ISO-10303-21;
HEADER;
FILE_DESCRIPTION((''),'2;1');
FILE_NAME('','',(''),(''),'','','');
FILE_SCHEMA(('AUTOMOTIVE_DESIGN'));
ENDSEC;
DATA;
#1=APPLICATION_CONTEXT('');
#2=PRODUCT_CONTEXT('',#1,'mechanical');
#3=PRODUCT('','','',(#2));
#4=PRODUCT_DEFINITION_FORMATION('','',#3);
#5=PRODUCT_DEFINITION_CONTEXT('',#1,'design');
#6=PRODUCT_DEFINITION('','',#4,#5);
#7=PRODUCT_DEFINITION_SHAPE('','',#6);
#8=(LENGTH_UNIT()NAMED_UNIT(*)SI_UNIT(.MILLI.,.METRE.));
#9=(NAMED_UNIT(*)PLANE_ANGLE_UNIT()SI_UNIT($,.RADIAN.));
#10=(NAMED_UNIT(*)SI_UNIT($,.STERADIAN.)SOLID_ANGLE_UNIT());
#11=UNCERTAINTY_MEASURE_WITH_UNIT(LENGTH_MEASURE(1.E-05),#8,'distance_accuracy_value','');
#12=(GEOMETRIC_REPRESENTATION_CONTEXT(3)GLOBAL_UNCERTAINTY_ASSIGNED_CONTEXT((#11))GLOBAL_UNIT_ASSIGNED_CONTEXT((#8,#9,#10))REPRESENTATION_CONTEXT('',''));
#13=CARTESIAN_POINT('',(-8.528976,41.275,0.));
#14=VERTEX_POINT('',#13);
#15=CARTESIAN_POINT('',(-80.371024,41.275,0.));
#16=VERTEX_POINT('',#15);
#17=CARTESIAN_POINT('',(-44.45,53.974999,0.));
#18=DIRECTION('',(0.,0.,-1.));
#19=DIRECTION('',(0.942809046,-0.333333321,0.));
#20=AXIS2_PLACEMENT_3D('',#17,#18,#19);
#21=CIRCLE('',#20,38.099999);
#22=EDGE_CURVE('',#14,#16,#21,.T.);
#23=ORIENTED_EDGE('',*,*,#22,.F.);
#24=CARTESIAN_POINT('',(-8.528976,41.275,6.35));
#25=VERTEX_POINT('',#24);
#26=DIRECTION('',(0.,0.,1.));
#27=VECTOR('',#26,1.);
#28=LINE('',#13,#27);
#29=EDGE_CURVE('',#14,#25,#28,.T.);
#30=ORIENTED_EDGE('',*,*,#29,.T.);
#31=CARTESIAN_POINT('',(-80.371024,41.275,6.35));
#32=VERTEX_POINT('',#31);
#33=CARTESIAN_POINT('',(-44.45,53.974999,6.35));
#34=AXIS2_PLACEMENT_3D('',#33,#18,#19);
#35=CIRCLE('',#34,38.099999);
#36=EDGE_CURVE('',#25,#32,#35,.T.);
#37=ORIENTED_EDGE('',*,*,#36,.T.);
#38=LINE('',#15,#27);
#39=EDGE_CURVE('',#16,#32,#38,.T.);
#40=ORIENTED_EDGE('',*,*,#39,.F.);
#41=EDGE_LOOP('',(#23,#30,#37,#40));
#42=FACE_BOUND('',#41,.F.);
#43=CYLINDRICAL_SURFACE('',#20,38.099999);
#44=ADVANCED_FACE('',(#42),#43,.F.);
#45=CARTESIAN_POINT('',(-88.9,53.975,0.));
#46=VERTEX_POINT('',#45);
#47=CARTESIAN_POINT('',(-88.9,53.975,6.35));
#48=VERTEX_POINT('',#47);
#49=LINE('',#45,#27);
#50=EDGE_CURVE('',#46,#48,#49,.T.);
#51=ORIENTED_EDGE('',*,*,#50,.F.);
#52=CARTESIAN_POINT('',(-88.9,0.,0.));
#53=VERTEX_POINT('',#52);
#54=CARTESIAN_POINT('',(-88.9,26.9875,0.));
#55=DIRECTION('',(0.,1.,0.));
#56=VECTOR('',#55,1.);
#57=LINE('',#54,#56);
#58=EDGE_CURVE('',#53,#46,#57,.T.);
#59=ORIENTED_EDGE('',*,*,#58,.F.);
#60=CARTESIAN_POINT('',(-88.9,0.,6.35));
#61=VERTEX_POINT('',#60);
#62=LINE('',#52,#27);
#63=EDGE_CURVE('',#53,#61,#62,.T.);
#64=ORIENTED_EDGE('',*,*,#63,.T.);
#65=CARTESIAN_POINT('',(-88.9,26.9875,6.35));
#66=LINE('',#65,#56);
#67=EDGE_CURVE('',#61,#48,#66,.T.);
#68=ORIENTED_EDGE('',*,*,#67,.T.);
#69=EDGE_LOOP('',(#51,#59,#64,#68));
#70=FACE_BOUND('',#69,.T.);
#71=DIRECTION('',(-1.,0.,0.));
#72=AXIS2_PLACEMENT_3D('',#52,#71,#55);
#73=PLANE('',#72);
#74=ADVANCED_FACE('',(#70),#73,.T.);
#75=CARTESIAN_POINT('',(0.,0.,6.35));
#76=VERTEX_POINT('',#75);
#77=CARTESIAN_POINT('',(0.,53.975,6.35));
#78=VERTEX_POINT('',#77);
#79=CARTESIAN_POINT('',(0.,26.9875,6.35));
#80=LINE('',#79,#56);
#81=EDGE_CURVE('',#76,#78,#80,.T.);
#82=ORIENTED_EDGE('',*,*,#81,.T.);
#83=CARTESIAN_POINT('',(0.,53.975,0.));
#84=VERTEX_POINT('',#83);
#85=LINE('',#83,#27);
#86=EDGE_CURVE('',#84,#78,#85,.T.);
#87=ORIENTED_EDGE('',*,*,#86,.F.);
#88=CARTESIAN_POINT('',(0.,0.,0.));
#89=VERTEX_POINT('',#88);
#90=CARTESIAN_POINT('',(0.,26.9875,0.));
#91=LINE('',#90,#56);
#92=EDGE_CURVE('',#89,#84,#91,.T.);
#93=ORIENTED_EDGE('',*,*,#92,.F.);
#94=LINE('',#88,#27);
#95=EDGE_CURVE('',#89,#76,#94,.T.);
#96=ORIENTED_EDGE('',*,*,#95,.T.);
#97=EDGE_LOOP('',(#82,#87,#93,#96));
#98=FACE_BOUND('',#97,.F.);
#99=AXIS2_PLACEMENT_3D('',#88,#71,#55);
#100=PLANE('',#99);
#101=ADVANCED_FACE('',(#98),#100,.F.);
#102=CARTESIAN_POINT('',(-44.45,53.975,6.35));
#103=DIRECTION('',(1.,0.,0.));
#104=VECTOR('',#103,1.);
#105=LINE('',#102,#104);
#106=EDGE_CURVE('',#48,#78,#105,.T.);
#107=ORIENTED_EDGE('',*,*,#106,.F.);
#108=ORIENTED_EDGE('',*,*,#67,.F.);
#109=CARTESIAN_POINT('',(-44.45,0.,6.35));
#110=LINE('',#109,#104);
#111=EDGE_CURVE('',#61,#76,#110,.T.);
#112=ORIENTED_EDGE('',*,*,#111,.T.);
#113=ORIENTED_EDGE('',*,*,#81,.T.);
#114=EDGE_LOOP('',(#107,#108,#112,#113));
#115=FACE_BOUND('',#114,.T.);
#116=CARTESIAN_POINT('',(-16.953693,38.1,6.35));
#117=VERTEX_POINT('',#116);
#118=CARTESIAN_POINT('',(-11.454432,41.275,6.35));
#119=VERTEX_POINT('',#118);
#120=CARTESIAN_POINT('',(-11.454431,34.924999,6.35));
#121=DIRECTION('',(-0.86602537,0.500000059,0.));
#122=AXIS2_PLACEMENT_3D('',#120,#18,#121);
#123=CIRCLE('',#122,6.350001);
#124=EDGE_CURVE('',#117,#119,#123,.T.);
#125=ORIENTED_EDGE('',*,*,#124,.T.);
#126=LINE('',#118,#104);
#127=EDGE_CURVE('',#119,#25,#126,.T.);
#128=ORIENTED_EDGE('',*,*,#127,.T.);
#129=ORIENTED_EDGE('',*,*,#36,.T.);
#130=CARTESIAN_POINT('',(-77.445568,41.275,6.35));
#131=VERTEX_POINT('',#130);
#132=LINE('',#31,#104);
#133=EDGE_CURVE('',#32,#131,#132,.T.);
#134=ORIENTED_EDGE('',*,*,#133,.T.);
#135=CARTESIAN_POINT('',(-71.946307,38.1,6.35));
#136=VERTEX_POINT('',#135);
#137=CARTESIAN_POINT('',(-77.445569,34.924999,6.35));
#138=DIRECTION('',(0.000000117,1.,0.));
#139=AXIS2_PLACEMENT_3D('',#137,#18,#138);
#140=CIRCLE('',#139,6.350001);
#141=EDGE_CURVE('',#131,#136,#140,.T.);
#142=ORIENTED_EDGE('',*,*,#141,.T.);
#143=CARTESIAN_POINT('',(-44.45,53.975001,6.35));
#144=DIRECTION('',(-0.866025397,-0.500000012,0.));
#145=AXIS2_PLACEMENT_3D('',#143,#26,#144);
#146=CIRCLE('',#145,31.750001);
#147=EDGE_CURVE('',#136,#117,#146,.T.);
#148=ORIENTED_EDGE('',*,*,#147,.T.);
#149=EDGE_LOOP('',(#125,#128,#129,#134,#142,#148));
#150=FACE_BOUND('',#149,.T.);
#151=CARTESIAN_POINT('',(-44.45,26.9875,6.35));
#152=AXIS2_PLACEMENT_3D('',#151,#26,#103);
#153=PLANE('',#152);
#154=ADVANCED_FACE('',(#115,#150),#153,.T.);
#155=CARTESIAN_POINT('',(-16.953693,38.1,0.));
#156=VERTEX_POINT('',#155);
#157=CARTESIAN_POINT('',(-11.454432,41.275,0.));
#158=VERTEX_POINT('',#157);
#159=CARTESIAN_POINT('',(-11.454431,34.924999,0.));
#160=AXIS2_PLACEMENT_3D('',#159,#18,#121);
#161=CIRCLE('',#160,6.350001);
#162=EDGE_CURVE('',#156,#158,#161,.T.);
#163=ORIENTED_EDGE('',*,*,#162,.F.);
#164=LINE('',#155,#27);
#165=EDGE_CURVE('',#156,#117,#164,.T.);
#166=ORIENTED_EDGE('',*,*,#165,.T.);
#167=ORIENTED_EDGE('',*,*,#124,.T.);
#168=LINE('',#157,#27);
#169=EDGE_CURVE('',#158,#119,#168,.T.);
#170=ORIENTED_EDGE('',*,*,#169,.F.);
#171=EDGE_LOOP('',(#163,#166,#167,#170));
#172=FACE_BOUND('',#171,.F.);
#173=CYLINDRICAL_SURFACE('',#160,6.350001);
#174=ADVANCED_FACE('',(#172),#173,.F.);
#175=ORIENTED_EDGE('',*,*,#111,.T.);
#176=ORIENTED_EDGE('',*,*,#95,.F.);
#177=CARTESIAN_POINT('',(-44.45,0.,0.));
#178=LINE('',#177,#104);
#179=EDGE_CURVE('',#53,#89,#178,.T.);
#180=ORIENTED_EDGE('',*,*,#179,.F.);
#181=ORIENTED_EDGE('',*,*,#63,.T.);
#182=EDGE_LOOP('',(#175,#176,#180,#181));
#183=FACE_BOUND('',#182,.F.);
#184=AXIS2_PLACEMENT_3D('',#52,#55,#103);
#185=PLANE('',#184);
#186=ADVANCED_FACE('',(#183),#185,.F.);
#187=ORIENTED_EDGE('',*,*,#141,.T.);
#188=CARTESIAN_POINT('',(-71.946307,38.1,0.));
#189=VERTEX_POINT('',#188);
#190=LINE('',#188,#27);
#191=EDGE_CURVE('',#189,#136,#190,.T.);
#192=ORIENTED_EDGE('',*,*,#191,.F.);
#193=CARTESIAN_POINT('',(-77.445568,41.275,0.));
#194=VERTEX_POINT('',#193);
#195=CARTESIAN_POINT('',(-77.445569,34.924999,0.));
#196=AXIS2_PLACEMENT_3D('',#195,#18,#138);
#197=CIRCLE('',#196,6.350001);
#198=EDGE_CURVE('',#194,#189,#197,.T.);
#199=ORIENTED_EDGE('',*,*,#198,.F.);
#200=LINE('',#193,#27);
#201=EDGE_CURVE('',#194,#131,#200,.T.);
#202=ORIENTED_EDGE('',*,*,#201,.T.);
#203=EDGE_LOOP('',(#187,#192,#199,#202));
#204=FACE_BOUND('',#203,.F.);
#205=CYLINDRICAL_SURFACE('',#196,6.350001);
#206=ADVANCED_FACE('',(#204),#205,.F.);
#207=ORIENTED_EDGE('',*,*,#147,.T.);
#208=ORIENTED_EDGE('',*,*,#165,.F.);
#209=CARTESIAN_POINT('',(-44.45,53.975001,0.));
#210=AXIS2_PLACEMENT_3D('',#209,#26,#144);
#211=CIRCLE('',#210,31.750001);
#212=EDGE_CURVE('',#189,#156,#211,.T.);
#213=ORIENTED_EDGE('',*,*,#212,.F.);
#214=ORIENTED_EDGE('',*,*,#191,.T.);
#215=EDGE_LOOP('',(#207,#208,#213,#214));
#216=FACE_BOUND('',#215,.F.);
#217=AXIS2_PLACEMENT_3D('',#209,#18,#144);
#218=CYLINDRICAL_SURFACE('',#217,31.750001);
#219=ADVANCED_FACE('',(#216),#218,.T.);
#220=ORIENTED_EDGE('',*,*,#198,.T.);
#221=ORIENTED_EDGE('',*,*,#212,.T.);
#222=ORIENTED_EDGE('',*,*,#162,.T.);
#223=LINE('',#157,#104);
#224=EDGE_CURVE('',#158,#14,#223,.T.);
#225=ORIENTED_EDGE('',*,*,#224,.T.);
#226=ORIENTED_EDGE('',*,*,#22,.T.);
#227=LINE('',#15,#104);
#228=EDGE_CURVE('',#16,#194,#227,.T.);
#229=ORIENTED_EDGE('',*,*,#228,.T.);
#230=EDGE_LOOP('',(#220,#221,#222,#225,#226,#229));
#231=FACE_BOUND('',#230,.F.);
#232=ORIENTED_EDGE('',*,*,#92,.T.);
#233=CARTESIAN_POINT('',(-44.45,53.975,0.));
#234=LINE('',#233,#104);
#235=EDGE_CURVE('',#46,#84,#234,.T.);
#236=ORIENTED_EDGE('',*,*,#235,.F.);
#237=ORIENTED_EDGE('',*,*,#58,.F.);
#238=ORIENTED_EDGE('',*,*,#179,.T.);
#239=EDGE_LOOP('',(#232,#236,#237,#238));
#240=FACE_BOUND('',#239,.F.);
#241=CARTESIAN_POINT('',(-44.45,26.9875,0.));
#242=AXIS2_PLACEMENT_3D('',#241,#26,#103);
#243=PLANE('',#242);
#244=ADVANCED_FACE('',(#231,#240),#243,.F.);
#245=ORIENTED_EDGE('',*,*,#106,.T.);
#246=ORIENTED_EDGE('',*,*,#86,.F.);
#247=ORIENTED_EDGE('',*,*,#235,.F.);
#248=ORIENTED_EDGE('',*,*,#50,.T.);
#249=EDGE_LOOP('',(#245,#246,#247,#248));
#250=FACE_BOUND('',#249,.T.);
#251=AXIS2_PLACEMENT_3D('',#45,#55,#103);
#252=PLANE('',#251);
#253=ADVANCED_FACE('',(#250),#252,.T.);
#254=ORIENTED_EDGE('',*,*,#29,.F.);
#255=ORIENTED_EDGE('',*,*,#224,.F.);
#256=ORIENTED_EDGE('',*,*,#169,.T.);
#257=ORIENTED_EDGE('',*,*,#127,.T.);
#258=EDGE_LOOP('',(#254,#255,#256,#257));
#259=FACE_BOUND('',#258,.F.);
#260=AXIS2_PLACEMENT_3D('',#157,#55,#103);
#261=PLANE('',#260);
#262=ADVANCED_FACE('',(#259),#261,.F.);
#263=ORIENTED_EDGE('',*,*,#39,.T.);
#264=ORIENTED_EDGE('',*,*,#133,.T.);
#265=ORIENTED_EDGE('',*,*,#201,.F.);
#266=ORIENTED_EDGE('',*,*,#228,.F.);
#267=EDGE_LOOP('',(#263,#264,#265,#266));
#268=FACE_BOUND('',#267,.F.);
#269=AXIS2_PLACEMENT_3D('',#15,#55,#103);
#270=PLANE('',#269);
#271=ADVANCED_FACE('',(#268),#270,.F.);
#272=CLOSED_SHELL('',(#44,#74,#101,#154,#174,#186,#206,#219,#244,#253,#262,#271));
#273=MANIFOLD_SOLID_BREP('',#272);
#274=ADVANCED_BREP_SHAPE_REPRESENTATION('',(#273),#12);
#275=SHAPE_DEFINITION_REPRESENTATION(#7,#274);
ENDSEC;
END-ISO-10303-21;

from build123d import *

# Parameters (mm, degrees)
F0_W     = 88.9
F0_H     = 53.975
F1_DEPTH = 6.35


with BuildPart() as f1:
    # F0 (on Top) → F1 (new body)
    with BuildSketch(Plane.XY):
        with Locations((-44.45, 26.9875)):
            Rectangle(F0_W, F0_H)
        with BuildLine():
            ThreePointArc((-77.445568, 41.275), (-74.270568, 40.424261), (-71.946307, 38.1))
            ThreePointArc((-71.946307, 38.1), (-44.45, 22.225), (-16.953693, 38.1))
            ThreePointArc((-16.953693, 38.1), (-14.629432, 40.424261), (-11.454432, 41.275))
            Line((-11.454432, 41.275), (-8.528976, 41.275))
            ThreePointArc((-8.528976, 41.275), (-44.45, 15.875), (-80.371024, 41.275))
            Line((-80.371024, 41.275), (-77.445568, 41.275))
        make_face(mode=Mode.SUBTRACT)
    extrude(amount=F1_DEPTH)


solid = f1.part
